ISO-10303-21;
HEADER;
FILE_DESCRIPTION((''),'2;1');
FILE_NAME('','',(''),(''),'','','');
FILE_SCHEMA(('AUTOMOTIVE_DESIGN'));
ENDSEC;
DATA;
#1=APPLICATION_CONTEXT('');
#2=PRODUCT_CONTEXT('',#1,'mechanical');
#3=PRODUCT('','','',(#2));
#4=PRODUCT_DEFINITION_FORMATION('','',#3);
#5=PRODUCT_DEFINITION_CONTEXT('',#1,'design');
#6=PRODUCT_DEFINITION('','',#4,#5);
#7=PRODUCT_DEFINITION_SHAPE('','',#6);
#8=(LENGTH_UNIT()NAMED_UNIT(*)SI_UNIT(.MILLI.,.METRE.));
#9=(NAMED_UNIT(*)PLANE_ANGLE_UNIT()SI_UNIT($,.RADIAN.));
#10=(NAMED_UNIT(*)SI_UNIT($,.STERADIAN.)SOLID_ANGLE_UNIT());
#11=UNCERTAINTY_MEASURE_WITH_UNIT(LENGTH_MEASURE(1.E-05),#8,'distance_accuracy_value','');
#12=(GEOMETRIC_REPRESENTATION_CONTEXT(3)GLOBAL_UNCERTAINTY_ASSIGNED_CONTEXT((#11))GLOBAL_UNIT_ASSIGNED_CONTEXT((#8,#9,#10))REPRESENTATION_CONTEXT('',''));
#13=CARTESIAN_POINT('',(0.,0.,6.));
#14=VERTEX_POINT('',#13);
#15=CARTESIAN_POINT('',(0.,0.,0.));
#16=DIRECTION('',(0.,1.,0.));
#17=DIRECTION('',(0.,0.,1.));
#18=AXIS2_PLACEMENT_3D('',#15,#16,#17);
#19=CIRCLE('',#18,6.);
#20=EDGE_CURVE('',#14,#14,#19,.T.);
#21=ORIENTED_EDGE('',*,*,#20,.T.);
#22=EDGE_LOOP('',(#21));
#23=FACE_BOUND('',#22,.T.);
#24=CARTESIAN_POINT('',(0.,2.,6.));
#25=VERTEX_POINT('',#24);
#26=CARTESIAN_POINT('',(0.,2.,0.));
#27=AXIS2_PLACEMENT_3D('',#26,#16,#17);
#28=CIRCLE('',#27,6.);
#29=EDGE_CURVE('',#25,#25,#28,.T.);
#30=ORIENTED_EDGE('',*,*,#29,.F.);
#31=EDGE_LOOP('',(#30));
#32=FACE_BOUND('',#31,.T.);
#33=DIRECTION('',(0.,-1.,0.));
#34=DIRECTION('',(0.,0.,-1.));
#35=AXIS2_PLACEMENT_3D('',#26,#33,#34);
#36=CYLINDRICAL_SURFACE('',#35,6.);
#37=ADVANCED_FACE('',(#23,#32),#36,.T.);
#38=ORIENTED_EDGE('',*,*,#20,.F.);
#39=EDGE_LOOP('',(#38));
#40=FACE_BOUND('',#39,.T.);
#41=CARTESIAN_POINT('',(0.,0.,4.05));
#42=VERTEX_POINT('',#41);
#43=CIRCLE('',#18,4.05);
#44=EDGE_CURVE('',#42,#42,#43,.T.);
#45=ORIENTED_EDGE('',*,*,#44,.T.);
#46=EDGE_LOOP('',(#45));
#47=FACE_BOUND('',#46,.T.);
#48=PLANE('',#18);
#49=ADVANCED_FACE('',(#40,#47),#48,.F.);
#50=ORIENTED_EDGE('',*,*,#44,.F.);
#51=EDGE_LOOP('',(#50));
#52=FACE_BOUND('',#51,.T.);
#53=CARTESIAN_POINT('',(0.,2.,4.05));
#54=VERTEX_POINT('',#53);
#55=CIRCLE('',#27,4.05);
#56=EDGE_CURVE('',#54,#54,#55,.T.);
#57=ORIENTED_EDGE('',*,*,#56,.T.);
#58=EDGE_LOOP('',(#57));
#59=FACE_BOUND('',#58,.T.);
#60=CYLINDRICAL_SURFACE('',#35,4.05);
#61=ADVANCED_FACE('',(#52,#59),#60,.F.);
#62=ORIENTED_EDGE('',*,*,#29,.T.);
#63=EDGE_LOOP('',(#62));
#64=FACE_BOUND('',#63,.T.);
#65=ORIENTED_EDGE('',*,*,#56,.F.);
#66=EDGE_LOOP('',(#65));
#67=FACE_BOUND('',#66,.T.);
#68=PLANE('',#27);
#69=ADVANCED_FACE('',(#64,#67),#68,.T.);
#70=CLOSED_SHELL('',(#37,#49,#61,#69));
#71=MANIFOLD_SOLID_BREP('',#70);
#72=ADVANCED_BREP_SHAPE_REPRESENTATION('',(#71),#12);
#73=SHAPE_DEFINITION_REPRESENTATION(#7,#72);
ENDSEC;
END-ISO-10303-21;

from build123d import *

# Parameters (mm, degrees)
SKETCH1_R           = 6
SKETCH1_R_2         = 4.05
BOSS_EXTRUDE1_DEPTH = 2


with BuildPart() as part:
    # Sketch1 → Boss-Extrude1 (new body)
    with BuildSketch(Plane(origin=(0, 0, 0), x_dir=(1, 0, 0), z_dir=(0, 1, 0))):
        Circle(SKETCH1_R)
        Circle(SKETCH1_R_2, mode=Mode.SUBTRACT)
    extrude(amount=BOSS_EXTRUDE1_DEPTH)


solid = part.part
